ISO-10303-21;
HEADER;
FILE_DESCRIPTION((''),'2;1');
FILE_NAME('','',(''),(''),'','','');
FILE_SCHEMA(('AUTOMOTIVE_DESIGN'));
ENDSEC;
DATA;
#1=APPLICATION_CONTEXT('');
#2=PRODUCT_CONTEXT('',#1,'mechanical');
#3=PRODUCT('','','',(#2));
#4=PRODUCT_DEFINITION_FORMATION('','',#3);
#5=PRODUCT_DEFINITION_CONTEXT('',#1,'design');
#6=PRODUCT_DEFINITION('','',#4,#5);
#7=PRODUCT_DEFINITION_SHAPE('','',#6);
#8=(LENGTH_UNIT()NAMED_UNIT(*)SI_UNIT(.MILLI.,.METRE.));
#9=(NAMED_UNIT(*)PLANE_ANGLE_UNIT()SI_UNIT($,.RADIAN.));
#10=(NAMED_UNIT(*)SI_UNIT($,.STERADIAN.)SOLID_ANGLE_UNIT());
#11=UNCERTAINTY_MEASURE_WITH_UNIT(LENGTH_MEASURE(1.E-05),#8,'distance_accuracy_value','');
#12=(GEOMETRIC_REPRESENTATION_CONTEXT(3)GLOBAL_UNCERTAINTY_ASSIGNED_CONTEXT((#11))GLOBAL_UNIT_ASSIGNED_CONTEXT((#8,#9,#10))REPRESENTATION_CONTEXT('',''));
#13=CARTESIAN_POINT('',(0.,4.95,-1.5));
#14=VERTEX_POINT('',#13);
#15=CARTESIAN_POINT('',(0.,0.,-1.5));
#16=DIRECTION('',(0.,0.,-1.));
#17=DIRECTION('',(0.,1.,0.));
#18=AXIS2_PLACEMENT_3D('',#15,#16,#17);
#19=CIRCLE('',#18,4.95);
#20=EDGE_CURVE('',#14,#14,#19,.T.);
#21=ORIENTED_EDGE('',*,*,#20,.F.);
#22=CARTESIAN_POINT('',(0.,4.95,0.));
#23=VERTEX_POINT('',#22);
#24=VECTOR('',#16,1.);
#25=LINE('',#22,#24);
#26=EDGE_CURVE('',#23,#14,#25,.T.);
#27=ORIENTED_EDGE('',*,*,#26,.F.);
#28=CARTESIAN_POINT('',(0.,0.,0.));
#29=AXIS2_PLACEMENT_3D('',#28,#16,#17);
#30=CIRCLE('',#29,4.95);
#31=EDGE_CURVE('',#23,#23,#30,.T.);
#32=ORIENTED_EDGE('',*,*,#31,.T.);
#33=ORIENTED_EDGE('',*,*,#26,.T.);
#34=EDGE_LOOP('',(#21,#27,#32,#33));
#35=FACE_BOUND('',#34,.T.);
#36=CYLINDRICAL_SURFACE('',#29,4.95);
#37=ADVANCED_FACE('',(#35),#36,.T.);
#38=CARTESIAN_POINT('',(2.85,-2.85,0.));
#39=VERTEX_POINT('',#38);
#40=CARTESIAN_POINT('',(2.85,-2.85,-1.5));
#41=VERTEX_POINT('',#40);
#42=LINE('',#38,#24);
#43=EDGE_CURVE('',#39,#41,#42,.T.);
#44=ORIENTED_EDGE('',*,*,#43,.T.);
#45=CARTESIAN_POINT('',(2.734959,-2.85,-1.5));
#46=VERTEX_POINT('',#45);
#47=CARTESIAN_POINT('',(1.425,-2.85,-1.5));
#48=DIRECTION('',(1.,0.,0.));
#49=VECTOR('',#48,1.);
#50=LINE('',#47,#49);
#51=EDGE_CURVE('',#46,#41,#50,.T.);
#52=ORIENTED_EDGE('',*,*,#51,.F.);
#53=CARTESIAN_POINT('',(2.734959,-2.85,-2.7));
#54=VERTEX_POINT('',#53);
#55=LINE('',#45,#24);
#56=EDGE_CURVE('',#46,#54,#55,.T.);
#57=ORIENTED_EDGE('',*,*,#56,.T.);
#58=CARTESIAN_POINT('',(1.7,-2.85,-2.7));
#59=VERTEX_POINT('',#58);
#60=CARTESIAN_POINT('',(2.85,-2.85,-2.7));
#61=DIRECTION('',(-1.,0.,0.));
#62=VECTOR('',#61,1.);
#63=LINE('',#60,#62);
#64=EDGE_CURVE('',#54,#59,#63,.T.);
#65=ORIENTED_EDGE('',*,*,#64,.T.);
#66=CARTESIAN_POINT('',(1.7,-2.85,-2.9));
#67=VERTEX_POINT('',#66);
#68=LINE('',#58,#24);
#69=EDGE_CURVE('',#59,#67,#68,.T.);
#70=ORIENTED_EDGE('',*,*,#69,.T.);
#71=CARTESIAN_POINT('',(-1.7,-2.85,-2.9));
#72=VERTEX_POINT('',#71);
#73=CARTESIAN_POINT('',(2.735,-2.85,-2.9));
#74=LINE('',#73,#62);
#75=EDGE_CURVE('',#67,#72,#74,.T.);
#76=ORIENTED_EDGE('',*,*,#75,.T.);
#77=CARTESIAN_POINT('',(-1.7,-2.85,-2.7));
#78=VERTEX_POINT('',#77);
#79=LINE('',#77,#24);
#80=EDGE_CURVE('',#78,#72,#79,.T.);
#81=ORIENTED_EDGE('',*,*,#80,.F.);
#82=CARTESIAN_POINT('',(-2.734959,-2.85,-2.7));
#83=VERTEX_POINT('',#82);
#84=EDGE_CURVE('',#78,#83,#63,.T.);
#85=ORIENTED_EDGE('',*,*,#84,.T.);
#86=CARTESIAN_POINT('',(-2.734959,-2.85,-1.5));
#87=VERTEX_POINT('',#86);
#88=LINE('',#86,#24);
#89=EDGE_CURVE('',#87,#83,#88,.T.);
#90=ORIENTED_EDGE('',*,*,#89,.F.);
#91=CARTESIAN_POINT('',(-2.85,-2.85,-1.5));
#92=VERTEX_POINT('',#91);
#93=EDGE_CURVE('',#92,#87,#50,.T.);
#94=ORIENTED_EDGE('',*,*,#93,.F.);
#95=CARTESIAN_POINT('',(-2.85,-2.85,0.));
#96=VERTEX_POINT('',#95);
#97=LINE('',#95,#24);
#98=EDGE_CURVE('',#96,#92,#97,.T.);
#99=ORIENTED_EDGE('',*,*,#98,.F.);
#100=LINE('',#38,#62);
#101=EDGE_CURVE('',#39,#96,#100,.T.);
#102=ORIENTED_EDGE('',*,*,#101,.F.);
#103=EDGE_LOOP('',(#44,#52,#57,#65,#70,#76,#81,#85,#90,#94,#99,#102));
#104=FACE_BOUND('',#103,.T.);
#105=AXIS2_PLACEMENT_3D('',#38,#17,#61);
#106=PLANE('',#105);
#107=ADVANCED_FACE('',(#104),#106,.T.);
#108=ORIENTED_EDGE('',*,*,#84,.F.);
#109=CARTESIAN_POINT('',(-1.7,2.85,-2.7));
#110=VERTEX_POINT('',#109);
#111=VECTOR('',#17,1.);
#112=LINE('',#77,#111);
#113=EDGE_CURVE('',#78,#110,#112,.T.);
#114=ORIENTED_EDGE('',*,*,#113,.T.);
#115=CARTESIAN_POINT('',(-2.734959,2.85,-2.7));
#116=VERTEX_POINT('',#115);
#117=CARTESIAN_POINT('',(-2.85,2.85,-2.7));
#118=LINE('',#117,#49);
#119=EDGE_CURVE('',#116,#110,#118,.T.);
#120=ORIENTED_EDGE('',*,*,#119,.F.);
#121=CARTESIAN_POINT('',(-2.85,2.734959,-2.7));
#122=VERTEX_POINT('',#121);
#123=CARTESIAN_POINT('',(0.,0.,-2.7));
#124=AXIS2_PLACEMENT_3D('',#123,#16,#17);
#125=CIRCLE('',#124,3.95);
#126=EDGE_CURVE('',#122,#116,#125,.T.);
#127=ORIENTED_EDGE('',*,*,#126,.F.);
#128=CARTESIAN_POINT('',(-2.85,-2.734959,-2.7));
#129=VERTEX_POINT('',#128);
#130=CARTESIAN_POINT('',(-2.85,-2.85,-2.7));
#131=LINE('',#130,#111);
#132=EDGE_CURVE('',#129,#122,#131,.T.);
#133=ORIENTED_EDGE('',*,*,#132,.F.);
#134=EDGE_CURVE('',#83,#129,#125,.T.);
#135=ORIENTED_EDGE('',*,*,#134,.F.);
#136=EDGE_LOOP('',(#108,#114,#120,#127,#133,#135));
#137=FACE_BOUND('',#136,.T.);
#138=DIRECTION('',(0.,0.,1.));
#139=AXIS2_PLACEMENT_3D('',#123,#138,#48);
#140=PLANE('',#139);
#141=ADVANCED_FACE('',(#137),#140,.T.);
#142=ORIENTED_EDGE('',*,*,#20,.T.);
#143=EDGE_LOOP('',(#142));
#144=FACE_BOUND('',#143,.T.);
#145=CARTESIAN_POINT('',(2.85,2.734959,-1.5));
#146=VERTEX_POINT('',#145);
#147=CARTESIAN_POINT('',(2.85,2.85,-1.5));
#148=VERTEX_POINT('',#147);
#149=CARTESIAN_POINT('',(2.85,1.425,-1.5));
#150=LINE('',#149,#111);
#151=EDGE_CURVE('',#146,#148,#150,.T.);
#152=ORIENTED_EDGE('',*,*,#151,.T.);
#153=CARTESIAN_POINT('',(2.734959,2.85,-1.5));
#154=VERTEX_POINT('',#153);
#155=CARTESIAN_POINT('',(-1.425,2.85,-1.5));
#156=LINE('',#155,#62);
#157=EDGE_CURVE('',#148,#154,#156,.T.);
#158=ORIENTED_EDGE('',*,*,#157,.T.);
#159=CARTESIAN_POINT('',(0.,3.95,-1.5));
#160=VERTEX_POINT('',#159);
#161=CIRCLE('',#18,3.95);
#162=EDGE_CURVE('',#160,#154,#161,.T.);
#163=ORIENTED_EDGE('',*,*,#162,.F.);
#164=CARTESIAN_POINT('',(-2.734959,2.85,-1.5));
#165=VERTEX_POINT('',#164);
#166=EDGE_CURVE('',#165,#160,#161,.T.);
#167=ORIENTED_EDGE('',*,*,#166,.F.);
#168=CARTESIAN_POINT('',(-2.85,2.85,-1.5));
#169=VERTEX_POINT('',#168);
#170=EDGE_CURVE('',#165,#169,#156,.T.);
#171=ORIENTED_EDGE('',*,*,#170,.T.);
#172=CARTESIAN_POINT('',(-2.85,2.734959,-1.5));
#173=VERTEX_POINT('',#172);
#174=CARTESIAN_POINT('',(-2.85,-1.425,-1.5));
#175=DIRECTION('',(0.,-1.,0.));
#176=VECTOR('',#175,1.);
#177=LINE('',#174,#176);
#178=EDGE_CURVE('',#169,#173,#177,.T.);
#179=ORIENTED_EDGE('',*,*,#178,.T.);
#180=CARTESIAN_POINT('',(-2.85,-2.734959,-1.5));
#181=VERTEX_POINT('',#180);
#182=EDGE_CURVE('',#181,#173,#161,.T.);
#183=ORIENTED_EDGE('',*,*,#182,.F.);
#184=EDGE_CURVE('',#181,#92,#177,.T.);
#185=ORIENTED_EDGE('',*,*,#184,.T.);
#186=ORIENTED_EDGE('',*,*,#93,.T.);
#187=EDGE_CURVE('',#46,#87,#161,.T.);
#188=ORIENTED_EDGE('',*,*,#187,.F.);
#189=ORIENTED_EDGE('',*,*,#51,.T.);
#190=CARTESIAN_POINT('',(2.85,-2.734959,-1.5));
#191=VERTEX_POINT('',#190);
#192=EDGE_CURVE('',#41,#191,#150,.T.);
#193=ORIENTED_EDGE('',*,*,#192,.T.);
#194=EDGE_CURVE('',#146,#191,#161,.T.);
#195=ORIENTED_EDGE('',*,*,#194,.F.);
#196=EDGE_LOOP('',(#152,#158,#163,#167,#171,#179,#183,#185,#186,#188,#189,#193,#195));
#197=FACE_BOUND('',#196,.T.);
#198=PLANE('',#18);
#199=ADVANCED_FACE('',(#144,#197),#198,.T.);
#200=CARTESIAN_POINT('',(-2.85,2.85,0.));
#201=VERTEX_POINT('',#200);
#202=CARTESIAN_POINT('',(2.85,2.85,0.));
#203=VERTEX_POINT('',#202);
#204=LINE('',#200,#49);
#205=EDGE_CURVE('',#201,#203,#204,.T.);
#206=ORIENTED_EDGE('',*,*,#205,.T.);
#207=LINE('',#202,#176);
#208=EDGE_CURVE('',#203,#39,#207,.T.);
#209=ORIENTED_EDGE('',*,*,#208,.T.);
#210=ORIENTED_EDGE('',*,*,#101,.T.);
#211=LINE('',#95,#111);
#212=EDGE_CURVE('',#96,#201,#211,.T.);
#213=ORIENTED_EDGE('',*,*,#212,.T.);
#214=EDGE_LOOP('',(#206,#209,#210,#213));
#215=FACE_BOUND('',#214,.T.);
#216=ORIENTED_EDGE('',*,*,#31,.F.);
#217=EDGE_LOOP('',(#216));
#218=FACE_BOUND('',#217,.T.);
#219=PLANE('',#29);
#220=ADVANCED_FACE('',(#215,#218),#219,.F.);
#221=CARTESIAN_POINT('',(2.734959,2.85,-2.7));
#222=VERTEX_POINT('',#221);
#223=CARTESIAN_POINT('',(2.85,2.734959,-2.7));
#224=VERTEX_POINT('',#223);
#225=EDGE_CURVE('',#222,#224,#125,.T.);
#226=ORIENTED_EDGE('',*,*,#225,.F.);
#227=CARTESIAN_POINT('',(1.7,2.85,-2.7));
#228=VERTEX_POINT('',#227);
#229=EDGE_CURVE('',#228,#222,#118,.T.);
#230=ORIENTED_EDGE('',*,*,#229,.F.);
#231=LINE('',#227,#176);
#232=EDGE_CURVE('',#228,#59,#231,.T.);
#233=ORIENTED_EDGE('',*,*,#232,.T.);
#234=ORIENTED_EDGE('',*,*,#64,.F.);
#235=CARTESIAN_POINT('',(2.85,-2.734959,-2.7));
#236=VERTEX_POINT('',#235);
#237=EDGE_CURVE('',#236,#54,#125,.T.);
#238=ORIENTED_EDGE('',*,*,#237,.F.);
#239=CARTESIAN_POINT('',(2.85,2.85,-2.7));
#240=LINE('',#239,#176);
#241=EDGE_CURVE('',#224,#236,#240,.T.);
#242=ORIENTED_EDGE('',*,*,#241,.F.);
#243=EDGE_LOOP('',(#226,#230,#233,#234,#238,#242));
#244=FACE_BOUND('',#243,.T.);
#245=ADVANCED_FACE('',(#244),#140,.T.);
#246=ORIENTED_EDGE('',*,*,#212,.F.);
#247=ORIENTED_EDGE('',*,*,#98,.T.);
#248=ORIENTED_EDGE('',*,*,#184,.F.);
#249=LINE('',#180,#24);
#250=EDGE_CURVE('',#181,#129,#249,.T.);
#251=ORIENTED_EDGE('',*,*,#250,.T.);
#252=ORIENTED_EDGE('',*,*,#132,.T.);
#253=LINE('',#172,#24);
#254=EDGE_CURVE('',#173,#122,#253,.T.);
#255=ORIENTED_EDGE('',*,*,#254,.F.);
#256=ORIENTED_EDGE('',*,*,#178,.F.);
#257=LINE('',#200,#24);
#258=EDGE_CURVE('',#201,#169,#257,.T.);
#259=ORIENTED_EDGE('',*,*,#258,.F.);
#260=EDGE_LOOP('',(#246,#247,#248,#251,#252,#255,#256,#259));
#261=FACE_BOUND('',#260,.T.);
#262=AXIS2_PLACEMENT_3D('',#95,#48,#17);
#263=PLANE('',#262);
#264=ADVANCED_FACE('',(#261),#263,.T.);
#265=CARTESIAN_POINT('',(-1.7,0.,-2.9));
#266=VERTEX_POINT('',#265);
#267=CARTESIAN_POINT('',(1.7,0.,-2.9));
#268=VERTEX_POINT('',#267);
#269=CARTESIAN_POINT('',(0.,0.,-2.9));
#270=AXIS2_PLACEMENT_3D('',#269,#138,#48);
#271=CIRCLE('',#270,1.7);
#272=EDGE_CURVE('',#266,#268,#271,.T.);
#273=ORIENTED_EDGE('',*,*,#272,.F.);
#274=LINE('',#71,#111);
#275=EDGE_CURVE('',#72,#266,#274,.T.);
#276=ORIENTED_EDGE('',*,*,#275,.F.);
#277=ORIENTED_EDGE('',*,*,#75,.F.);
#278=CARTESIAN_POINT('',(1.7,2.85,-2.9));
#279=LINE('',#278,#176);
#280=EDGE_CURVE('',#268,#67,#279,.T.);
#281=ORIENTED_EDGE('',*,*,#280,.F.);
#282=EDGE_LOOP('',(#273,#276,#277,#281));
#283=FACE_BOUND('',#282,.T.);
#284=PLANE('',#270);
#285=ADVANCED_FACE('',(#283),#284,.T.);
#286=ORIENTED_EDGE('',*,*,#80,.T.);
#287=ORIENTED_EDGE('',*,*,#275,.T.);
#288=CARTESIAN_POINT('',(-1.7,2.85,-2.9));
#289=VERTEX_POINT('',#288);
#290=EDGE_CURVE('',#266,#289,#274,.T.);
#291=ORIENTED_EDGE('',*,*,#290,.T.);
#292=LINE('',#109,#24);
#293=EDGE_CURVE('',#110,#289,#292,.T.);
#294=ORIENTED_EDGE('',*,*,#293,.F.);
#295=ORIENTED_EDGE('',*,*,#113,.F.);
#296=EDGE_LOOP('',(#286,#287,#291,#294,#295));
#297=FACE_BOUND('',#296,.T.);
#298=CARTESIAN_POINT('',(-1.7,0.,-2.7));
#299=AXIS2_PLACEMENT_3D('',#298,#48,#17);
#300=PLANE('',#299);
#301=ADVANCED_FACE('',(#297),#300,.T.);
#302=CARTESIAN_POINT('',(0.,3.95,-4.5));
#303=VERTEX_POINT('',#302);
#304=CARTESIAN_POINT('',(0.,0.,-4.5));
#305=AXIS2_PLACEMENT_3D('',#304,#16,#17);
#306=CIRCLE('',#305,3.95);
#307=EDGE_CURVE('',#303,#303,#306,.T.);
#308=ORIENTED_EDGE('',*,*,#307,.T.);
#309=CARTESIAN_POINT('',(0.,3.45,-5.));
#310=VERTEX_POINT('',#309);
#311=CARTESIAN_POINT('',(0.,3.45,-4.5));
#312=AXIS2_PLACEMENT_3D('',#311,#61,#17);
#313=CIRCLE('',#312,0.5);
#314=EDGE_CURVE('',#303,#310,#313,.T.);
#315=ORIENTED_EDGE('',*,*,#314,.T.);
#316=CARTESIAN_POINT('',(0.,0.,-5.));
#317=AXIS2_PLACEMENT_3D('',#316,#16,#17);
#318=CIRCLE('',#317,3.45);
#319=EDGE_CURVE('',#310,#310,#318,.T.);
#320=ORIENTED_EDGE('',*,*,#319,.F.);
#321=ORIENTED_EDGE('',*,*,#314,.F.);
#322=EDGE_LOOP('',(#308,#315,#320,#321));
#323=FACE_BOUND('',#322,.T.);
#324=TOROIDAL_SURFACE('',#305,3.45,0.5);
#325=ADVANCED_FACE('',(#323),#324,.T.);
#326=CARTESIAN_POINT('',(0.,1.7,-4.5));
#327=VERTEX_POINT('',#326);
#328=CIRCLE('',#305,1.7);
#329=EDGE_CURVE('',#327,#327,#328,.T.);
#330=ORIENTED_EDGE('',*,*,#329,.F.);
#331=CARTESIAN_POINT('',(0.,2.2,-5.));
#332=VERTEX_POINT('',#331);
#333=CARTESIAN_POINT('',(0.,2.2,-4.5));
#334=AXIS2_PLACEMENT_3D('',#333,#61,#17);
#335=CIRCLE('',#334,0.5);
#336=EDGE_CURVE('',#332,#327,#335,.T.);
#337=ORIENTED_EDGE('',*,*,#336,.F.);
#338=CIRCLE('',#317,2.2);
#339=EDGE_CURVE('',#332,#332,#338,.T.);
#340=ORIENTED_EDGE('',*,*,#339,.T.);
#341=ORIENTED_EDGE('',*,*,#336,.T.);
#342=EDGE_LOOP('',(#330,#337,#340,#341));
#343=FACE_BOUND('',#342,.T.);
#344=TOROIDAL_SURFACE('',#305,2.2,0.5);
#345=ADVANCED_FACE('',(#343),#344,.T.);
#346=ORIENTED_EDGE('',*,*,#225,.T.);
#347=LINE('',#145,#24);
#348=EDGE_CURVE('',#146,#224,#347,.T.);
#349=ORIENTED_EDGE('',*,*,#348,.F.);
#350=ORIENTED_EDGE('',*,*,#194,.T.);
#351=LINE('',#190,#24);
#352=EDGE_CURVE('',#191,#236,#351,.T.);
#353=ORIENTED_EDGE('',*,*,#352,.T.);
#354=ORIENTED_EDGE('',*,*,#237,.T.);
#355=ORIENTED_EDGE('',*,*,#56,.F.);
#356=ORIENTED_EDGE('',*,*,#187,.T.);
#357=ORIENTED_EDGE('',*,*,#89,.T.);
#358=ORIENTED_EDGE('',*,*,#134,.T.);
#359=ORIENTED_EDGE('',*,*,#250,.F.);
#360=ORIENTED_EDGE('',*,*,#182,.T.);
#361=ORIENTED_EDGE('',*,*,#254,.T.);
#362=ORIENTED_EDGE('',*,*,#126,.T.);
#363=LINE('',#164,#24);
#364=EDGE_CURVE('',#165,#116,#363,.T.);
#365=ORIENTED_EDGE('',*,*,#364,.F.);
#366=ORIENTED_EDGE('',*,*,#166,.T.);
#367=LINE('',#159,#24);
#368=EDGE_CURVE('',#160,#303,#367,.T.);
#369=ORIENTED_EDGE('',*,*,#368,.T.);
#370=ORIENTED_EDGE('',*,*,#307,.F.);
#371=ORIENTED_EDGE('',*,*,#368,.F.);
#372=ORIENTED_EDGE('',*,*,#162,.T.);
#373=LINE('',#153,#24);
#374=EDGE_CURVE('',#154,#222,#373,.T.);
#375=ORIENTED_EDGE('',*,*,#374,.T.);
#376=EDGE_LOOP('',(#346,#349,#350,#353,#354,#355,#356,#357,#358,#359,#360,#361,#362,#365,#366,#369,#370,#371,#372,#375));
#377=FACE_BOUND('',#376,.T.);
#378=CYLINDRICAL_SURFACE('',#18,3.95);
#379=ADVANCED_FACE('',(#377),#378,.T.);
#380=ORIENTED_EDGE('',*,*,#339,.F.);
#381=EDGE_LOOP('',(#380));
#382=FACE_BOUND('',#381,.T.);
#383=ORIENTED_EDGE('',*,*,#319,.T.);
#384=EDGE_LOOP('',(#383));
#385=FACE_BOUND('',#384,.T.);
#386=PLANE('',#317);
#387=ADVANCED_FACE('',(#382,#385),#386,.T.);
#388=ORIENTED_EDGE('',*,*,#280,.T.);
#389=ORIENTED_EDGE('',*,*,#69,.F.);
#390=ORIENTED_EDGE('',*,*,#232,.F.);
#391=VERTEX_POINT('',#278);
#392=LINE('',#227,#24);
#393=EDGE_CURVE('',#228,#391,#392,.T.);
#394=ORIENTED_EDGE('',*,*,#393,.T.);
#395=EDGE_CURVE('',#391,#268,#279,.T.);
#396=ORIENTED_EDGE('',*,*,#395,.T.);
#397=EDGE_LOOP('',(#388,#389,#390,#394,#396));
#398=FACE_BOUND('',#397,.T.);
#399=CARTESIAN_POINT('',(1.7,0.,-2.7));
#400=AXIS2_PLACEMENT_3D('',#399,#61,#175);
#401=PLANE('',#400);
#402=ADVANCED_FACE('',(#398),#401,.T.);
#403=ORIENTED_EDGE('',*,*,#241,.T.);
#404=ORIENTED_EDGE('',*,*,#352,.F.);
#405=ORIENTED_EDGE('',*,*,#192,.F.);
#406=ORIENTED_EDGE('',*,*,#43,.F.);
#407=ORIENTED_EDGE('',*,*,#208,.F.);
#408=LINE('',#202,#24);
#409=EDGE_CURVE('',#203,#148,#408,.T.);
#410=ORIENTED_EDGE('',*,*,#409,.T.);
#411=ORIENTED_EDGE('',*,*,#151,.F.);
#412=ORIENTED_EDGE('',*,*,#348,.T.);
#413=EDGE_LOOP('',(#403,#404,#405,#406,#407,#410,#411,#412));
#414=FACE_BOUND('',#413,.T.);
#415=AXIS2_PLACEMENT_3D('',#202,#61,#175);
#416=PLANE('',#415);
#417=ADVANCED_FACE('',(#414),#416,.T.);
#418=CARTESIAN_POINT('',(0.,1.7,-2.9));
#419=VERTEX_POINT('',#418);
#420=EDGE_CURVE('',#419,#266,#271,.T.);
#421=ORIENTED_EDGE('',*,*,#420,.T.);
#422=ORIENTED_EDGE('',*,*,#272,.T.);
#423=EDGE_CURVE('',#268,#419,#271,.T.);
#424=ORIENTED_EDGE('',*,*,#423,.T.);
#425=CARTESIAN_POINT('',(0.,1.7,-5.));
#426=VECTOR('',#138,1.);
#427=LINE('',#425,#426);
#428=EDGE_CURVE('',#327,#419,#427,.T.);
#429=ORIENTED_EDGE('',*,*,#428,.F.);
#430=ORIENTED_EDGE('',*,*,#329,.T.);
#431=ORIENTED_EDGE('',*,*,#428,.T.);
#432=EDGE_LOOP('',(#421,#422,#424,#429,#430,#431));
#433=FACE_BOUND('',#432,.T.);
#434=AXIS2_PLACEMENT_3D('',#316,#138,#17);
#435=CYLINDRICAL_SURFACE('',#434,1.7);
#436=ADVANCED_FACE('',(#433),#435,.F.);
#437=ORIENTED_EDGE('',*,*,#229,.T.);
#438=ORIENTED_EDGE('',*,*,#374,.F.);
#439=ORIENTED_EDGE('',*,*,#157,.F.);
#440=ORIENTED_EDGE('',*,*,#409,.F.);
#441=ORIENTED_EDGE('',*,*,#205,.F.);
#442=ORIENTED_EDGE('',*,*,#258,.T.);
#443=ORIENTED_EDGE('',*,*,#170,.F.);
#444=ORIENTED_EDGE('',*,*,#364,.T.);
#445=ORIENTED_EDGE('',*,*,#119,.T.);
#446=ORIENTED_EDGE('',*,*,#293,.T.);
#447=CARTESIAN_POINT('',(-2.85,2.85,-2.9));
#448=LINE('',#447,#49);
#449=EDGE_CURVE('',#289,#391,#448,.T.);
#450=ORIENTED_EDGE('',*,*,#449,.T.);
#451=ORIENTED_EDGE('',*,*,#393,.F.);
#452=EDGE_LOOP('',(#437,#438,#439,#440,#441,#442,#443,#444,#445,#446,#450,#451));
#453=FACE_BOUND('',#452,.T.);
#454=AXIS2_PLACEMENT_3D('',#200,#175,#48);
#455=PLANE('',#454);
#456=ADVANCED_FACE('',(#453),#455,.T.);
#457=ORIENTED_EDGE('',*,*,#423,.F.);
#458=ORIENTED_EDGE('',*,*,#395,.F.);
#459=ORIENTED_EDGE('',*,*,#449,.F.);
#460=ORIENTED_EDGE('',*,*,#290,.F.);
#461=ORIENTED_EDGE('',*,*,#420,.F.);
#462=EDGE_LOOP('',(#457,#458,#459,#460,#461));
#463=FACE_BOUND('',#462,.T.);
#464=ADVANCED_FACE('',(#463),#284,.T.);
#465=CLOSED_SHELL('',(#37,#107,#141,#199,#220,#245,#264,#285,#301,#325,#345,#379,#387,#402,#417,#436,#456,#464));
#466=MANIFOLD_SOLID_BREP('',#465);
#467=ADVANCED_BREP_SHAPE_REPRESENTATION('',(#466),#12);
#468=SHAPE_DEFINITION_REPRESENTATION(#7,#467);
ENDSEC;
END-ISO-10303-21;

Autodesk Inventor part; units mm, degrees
ref_plane "YZ Plane" through (0, 0, 0) normal (1, 0, 0) x (0, 1, 0)
ref_plane "XZ Plane" through (0, 0, 0) normal (0, 1, 0) x (-1, 0, 0)
ref_plane "XY Plane" through (0, 0, 0) normal (0, 0, 1) x (1, 0, 0)
sketch "Sketch1" plane through (0, 0, 0) normal (1, 0, 0) x (0, 1, 0)
  line L0 (0, 0) -> (1.7, 0) construction
  line L1 (1.7, 0) -> (4.95, 0)
  line L2 (4.95, 0) -> (4.95, -1.5)
  line L3 (4.95, -1.5) -> (3.95, -1.5)
  line L4 (3.95, -1.5) -> (3.95, -5)
  line L5 (3.95, -5) -> (1.7, -5)
  line L6 (1.7, -5) -> (1.7, 0)
  line L7 (0, 0) -> (0, -13.7466) construction
  dimension "d0" = 1.7
  dimension "d1" = 3.95
  dimension "d2" = 1
  dimension "d3" = 1.5
  dimension "d4" = 3.5
revolve "Revolution1" add sketch "Sketch1" angle 360 about axis through (0, 0, 0) along (0, 0, -1)
sketch "Sketch2" plane through (0, 0, 0) normal (0, 0, 1) x (1, 0, 0)
  line L0 (2.85, -2.85) -> (-2.85, -2.85)
  line L1 (-2.85, -2.85) -> (-2.85, 2.85)
  line L2 (-2.85, 2.85) -> (2.85, 2.85)
  line L3 (2.85, 2.85) -> (2.85, -2.85)
  line L4 (2.85, -2.85) -> (-2.85, 2.85) construction
  line L5 (-2.85, -2.85) -> (2.85, 2.85) construction
  point P0 (0, 0)
  dimension "d6" = 5.7
extrude "Extrusion1" cut sketch "Sketch2" against normal blind 2.7
fillet "Fillet1" radius 0.5 2 edges at (0, -3.95, -5) (0, -1.7, -5)
sketch "Sketch3" plane through (0, 0, -2.7) normal (0, 0, 1) x (1, 0, 0)
  line L0 (-2.85, 2.85) -> (2.85, 2.85) projected
  line L1 (2.735, -2.85) -> (-2.735, -2.85) projected
  line L2 (-1.7, 2.85) -> (1.7, 2.85)
  line L3 (1.7, 2.85) -> (1.7, -2.85)
  line L4 (1.7, -2.85) -> (-1.7, -2.85)
  line L5 (-1.7, -2.85) -> (-1.7, 2.85)
  arc A0 (-2.85, -2.735) -> (-2.735, -2.85) centre (0, 0) ccw projected
  line L6 (2.735, -2.85) -> (-2.735, -2.85) projected
  arc A1 (2.735, -2.85) -> (2.85, -2.735) centre (0, 0) ccw projected
  line L7 (2.85, 2.735) -> (2.85, -2.735) projected
  arc A2 (2.85, 2.735) -> (2.735, 2.85) centre (0, 0) ccw projected
  line L8 (-2.735, 2.85) -> (2.735, 2.85) projected
  arc A3 (-2.735, 2.85) -> (-2.85, 2.735) centre (0, 0) ccw projected
  line L9 (-2.85, -2.735) -> (-2.85, 2.735) projected
  circle A4 centre (0, 0) radius 1.7 projected
  point P0 (-1.7, 0)
  point P1 (1.7, 0)
  point P2 (1.7, 2.85)
extrude "Extrusion2" cut sketch "Sketch3" against normal blind 0.2 contours L0 L3 A4 L5 | A4 L3 L1 L5
properties part number "HD_BearingShaft1"
